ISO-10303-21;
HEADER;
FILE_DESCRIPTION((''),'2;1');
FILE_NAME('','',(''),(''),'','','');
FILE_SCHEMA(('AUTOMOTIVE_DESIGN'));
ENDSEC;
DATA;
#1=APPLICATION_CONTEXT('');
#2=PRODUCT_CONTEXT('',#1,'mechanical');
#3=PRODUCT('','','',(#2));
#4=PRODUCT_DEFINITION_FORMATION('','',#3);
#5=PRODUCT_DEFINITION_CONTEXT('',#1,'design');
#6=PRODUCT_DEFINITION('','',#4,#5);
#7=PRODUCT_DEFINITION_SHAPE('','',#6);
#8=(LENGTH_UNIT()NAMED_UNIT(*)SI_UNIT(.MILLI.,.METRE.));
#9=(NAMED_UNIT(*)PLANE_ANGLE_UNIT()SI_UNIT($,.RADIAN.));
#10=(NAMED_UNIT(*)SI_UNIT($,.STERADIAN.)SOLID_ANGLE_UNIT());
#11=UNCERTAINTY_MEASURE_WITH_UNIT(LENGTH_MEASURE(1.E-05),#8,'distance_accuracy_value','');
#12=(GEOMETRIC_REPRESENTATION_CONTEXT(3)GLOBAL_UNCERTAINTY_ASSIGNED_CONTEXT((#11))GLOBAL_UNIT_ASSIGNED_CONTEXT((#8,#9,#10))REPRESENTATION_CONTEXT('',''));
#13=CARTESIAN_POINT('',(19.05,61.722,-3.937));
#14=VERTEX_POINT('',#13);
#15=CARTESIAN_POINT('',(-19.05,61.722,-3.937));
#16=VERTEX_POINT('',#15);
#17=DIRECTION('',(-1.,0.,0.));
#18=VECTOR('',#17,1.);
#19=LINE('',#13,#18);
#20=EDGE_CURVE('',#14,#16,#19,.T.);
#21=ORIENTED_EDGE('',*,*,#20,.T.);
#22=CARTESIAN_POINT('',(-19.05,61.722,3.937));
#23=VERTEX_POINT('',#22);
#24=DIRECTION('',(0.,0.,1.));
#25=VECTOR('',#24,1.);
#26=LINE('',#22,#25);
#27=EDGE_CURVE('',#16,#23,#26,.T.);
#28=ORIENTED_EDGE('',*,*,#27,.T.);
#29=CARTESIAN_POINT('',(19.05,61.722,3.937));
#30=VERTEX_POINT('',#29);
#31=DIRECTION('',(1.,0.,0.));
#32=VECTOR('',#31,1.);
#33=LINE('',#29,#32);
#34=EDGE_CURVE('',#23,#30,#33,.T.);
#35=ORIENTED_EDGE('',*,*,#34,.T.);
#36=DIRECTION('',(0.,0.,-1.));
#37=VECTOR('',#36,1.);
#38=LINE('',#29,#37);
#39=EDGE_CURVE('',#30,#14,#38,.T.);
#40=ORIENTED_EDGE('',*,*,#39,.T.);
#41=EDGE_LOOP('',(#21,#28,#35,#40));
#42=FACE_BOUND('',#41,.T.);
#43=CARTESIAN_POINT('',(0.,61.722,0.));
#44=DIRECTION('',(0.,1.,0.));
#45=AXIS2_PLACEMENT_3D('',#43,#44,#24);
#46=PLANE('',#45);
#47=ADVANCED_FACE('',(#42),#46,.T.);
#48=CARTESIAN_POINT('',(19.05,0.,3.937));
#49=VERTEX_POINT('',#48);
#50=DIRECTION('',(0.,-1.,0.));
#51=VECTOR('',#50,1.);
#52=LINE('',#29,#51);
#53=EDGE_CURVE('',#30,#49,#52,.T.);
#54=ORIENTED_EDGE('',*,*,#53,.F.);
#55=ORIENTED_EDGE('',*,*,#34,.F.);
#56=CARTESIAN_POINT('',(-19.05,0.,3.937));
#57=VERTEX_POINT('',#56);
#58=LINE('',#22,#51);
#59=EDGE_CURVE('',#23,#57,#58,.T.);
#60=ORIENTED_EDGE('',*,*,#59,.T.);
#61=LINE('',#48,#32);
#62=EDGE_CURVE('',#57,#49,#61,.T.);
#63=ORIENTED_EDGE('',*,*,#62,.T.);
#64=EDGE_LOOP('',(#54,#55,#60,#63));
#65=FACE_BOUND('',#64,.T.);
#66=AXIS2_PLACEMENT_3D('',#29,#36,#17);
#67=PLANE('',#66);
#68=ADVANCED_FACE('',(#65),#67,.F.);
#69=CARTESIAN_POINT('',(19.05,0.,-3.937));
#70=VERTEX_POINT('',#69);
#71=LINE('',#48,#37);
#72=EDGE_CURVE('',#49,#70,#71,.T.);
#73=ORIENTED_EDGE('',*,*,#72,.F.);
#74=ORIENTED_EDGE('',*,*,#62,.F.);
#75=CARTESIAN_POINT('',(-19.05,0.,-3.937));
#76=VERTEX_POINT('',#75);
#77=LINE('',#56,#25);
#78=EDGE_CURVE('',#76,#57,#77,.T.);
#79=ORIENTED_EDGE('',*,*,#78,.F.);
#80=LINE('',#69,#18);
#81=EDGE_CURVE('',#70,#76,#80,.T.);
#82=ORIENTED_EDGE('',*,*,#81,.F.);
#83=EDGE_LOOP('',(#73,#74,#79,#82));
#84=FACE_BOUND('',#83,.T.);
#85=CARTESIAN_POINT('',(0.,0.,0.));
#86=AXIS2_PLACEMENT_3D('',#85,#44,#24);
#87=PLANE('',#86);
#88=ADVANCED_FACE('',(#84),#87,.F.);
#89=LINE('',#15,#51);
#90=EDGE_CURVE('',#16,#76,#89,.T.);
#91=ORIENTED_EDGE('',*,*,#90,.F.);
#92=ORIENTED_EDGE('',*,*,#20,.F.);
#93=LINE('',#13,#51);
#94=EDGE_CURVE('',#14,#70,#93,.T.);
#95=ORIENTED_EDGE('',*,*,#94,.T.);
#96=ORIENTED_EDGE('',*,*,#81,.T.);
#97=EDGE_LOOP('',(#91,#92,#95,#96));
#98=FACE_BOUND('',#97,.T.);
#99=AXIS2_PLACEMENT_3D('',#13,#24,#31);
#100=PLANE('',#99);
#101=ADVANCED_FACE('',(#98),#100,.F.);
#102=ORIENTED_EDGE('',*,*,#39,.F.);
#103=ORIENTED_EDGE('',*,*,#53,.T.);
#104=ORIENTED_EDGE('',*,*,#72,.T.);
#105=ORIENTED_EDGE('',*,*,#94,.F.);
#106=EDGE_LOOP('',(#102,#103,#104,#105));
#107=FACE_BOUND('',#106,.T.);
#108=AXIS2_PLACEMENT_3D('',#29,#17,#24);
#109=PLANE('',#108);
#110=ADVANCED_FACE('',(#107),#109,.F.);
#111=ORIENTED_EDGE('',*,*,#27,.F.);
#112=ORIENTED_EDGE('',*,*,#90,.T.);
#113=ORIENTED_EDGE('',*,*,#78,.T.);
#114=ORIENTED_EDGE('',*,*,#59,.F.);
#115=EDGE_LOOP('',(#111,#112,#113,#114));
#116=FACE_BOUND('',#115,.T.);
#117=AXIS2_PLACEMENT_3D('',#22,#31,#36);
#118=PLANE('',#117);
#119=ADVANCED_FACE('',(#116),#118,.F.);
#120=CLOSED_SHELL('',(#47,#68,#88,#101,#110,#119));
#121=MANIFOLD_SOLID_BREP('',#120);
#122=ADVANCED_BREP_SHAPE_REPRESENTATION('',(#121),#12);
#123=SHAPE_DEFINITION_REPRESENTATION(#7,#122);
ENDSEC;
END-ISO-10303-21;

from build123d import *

# Parameters (mm, degrees)
SKETCH2_W           = 38.1
SKETCH2_H           = 7.874
BOSS_EXTRUDE1_DEPTH = 61.722


with BuildPart() as part:
    # Sketch2 → Boss-Extrude1 (new body)
    with BuildSketch(Plane(origin=(0, 0, 0), x_dir=(1, 0, 0), z_dir=(0, 1, 0))):
        Rectangle(SKETCH2_W, SKETCH2_H)
    extrude(amount=BOSS_EXTRUDE1_DEPTH)


solid = part.part
